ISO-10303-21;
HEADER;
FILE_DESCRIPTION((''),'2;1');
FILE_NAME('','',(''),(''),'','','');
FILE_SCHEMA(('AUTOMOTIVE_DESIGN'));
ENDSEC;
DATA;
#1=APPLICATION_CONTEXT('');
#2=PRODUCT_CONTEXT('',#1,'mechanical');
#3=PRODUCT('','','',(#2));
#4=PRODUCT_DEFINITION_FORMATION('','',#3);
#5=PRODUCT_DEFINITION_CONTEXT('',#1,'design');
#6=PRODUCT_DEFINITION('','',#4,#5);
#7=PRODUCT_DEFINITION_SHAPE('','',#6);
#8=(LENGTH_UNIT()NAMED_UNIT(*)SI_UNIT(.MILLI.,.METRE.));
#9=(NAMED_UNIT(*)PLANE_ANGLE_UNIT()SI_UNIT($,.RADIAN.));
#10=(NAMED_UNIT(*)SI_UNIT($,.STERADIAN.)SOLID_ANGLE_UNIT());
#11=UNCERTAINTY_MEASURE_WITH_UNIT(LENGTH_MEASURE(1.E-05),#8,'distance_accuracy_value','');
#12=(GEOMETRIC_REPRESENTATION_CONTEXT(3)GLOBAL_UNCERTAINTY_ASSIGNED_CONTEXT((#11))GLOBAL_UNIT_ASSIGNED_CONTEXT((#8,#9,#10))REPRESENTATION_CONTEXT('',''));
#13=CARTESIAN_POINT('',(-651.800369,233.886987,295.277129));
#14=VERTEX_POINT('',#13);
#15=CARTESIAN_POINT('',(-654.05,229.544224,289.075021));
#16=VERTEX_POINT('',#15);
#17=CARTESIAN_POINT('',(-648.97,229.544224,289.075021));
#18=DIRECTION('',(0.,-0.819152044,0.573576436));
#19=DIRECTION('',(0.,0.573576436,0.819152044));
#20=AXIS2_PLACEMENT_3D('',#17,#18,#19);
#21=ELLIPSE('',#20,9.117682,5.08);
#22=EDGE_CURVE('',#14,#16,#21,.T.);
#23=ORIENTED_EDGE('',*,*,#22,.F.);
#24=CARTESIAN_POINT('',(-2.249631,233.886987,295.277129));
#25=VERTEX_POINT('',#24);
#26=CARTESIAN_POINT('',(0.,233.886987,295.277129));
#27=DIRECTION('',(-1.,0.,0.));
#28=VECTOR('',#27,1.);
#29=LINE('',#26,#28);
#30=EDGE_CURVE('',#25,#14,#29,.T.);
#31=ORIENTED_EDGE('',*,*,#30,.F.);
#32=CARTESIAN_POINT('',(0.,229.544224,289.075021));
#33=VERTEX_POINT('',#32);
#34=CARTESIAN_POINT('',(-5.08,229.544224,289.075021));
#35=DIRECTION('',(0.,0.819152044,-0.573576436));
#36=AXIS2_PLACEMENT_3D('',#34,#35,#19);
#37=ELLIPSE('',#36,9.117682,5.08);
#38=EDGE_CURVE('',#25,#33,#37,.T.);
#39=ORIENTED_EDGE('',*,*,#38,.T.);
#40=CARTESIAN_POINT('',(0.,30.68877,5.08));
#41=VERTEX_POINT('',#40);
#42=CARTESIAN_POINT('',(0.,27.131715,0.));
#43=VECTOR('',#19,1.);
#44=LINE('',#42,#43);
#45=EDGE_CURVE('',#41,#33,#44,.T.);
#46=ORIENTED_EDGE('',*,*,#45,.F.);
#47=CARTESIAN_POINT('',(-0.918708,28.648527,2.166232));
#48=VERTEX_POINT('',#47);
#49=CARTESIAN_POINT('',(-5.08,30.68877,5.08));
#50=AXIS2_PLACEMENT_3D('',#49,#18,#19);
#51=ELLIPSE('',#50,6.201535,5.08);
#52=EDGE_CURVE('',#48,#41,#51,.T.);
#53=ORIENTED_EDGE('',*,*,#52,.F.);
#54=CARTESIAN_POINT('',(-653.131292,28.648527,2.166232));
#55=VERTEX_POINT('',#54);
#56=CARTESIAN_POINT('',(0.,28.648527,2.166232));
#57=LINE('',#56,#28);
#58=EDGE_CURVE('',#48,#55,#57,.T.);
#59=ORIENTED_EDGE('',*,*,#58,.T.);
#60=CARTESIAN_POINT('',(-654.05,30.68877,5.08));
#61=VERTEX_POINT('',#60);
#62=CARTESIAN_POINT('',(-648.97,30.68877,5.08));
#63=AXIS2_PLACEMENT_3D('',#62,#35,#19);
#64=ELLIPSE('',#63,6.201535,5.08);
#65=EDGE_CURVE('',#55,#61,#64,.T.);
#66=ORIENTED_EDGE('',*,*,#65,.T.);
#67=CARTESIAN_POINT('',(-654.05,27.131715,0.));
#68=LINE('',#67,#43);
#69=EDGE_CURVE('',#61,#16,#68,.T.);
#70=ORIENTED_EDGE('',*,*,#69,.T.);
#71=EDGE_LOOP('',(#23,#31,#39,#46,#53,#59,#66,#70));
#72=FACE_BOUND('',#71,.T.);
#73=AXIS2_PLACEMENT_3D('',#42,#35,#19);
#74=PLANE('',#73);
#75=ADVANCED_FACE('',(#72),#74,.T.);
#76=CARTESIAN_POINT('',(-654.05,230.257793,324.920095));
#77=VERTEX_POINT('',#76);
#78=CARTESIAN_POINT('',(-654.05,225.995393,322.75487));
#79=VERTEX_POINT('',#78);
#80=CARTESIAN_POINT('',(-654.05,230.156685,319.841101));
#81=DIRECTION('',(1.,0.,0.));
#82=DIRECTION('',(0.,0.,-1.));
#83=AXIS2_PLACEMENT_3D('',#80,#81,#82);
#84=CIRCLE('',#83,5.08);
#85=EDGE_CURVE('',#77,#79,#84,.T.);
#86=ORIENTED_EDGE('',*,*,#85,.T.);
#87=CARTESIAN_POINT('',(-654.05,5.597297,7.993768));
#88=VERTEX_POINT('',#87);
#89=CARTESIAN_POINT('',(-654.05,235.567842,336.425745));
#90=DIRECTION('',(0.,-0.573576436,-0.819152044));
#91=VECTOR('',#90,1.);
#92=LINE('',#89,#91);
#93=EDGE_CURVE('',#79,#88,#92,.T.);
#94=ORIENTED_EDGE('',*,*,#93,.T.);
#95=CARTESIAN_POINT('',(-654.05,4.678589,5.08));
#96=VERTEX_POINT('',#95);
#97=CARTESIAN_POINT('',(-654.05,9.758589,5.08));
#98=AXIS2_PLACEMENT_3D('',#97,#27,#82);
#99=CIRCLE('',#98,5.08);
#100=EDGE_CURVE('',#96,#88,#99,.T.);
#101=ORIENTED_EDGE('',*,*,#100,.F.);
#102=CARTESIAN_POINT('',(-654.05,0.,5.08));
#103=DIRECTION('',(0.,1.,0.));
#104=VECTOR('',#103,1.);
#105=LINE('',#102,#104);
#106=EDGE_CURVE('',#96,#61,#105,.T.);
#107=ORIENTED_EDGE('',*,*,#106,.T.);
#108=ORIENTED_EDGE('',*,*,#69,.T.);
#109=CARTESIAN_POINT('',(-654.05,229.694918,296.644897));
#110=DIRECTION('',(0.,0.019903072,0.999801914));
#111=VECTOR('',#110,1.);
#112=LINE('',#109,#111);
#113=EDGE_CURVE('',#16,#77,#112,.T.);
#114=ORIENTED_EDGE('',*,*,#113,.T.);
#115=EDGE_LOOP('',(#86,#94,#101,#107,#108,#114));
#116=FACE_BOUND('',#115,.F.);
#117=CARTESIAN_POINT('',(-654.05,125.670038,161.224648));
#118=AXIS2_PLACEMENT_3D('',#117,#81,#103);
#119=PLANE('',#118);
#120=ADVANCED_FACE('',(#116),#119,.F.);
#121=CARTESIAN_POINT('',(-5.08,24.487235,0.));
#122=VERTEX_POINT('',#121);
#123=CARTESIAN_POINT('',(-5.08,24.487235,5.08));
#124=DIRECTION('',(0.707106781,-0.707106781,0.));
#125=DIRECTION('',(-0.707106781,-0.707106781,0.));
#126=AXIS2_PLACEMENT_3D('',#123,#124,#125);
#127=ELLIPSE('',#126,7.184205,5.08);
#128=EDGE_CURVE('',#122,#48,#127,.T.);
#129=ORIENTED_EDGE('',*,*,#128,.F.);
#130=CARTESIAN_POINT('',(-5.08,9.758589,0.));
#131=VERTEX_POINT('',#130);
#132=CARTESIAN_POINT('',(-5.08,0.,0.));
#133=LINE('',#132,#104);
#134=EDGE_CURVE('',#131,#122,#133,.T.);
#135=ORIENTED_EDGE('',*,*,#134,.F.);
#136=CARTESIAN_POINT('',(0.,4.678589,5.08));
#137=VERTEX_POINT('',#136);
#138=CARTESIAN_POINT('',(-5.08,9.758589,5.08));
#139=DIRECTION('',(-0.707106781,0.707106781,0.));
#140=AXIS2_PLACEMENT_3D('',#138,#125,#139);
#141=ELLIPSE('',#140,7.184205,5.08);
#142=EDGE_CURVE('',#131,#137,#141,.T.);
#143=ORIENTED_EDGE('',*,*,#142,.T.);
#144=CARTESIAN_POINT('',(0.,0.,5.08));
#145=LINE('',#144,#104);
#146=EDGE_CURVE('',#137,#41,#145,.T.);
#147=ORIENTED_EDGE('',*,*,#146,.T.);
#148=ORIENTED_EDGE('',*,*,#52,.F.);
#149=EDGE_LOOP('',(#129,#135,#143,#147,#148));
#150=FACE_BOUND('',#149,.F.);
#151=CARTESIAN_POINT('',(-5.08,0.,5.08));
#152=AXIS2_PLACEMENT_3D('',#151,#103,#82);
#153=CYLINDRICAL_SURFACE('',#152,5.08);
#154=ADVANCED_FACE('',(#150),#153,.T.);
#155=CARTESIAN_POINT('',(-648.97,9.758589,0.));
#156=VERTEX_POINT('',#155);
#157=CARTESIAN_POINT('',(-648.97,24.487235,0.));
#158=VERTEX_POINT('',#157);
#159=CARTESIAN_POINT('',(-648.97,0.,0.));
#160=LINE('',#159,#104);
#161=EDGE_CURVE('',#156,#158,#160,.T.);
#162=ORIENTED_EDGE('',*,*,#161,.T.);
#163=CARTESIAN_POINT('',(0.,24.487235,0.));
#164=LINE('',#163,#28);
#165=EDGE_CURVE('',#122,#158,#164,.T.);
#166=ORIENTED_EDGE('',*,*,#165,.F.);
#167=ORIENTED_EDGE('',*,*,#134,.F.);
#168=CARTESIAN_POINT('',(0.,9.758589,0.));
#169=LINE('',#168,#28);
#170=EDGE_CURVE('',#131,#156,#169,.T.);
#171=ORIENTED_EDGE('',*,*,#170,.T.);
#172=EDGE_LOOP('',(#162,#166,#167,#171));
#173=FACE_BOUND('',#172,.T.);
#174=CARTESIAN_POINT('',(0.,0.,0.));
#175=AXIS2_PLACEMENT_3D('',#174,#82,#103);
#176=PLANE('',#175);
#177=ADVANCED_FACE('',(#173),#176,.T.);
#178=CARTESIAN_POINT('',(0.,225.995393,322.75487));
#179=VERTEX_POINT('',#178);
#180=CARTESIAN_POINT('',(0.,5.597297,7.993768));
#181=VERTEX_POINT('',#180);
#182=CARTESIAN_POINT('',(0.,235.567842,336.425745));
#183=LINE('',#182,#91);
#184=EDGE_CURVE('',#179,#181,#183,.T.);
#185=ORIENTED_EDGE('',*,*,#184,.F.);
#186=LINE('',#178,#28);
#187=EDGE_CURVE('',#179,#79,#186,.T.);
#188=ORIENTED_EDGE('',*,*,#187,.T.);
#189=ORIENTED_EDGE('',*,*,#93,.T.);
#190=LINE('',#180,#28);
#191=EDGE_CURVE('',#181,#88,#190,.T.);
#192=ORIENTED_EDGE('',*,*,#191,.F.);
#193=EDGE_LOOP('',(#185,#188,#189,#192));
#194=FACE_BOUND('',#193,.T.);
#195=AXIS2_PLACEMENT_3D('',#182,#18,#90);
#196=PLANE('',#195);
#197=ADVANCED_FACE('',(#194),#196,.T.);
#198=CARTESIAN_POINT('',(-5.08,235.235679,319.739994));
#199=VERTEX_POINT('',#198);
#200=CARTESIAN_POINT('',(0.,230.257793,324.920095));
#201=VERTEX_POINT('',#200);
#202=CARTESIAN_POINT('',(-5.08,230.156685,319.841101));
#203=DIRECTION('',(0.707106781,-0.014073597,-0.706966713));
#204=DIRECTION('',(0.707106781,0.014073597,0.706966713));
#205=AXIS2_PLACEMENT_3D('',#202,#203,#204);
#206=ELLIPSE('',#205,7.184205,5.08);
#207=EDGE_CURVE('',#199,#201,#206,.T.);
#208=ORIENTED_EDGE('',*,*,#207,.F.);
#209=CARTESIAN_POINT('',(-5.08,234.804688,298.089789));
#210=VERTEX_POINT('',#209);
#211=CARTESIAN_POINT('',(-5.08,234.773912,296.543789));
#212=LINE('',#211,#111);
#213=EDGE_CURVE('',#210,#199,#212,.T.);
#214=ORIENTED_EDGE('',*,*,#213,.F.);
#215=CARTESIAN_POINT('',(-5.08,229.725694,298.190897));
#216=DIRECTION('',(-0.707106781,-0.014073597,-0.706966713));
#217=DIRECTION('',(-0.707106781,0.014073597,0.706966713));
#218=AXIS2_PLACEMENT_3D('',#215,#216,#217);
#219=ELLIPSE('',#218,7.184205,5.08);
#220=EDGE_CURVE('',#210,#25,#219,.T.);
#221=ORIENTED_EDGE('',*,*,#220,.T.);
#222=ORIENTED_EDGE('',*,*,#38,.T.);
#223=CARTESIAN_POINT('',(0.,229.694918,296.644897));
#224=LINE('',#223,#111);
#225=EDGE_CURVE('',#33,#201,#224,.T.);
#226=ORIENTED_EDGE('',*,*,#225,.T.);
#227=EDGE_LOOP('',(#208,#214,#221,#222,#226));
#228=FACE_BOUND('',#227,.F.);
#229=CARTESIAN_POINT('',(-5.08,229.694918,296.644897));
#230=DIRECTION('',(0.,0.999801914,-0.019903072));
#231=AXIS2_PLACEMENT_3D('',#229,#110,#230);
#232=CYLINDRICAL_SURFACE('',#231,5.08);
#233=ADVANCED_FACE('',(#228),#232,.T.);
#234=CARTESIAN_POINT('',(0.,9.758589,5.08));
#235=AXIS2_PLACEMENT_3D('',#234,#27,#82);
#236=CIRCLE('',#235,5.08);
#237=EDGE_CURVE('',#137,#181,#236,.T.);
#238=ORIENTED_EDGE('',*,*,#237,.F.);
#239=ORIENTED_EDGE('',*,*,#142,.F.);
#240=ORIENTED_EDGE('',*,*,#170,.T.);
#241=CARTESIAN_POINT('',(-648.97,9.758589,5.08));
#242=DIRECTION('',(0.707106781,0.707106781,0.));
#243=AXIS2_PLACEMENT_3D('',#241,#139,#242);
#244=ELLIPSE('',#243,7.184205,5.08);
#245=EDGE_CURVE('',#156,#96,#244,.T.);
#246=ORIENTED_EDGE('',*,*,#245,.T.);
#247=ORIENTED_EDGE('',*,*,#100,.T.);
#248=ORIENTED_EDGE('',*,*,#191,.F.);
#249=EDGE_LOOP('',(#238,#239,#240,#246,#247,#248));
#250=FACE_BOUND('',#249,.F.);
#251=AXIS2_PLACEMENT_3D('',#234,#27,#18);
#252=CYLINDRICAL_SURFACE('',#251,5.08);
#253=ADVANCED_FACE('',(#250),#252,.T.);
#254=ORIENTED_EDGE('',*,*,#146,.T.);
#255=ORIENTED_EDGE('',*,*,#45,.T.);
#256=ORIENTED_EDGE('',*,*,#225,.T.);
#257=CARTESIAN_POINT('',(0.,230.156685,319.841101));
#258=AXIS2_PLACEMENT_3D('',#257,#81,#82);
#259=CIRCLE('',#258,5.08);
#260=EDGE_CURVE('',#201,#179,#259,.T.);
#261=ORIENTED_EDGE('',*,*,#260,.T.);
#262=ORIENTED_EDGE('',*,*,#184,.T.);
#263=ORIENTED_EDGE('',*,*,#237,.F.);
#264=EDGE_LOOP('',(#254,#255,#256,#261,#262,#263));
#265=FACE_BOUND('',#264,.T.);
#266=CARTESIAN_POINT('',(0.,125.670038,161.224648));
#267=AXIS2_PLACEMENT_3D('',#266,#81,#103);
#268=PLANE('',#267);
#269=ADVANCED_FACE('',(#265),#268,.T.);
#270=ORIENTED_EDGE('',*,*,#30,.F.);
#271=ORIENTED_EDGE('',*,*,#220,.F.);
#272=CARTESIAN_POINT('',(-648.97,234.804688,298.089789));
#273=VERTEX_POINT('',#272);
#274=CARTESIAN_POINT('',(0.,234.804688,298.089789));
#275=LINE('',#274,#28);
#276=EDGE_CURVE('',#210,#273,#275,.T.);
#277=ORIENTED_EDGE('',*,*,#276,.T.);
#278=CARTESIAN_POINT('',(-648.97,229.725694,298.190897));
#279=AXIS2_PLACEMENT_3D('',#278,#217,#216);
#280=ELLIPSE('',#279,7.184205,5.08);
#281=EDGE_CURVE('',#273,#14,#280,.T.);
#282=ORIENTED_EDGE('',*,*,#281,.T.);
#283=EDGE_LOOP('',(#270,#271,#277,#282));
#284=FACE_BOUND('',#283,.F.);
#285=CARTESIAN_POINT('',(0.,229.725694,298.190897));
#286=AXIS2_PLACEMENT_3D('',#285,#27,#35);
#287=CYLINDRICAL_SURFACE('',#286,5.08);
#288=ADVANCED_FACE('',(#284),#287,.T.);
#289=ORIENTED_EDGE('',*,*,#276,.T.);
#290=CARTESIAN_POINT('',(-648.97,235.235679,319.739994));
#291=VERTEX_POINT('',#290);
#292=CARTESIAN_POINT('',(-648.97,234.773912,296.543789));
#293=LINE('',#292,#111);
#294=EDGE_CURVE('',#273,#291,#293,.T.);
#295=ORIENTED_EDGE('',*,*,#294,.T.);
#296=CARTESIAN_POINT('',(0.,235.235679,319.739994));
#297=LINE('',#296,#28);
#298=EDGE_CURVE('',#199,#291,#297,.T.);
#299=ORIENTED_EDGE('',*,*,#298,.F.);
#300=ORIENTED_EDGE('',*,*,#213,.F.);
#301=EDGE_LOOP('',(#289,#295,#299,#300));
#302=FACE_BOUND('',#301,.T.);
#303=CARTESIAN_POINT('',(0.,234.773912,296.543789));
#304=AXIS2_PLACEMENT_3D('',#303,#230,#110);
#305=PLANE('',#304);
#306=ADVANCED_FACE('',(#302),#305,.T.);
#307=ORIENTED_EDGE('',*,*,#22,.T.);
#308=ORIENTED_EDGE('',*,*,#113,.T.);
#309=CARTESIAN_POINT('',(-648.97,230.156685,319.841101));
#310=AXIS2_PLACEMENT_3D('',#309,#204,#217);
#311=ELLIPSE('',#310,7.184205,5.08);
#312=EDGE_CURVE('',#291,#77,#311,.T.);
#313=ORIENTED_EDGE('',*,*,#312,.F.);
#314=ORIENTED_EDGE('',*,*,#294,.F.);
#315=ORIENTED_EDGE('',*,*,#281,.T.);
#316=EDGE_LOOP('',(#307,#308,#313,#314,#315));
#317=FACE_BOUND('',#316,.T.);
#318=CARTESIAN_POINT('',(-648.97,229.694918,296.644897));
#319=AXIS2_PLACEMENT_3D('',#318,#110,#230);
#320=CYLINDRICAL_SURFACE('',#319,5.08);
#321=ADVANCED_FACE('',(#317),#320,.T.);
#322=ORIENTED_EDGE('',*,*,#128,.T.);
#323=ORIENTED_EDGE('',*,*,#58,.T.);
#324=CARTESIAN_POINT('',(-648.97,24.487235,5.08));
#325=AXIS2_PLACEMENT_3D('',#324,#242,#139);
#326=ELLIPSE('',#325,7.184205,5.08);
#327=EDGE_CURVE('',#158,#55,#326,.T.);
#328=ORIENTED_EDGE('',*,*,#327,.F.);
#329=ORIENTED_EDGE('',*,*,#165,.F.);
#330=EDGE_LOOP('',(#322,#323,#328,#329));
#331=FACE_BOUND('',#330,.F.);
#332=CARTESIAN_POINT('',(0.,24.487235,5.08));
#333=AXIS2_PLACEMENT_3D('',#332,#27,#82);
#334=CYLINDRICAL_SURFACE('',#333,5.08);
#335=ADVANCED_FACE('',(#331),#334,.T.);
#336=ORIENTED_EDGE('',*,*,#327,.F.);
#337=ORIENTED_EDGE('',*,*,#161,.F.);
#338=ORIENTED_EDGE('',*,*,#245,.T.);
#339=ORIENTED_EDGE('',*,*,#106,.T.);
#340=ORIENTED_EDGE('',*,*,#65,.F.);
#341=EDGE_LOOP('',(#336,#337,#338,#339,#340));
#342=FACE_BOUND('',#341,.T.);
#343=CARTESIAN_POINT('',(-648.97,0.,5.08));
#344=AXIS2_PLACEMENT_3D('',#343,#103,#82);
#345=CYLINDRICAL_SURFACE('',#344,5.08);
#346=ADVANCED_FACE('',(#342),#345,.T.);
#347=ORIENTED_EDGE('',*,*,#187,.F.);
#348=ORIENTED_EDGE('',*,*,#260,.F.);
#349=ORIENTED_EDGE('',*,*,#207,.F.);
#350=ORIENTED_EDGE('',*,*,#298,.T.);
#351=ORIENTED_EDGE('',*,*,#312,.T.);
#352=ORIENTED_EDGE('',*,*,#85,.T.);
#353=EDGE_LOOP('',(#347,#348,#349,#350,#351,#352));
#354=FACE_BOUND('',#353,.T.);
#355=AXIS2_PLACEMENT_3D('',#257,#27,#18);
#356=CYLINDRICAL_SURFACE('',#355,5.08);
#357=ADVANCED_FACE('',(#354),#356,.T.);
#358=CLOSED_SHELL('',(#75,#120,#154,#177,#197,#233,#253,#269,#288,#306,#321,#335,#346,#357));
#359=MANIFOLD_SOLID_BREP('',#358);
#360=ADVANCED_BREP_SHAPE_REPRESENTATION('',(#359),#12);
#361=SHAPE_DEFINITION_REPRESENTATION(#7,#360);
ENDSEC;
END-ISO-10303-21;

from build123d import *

# Parameters (mm, degrees)
F1_DEPTH = 654.05
F2_R     = 5.08


with BuildPart() as f1:
    # F0 (on Right) → F1 (new body)
    with BuildSketch(Plane.YZ):
        Polygon((235.5678424094, 336.4257445895), (0, 0), (27.1317152352, 0), (234.7739116947, 296.5437889892), align=None)
    extrude(amount=-F1_DEPTH)

    # F2
    f2_edges = [f1.edges().sort_by_distance(p)[0] for p in [
        (-327.025, 234.773912, 296.543789),
        (-327.025, 235.567842, 336.425745),
        (0, 235.170877, 316.484767),
        (-654.05, 235.170877, 316.484767),
        (-327.025, 0, 0),
        (-327.025, 27.131715, 0),
        (0, 13.565858, 0),
        (-654.05, 13.565858, 0),
    ]]
    fillet(f2_edges, radius=F2_R)


solid = f1.part
